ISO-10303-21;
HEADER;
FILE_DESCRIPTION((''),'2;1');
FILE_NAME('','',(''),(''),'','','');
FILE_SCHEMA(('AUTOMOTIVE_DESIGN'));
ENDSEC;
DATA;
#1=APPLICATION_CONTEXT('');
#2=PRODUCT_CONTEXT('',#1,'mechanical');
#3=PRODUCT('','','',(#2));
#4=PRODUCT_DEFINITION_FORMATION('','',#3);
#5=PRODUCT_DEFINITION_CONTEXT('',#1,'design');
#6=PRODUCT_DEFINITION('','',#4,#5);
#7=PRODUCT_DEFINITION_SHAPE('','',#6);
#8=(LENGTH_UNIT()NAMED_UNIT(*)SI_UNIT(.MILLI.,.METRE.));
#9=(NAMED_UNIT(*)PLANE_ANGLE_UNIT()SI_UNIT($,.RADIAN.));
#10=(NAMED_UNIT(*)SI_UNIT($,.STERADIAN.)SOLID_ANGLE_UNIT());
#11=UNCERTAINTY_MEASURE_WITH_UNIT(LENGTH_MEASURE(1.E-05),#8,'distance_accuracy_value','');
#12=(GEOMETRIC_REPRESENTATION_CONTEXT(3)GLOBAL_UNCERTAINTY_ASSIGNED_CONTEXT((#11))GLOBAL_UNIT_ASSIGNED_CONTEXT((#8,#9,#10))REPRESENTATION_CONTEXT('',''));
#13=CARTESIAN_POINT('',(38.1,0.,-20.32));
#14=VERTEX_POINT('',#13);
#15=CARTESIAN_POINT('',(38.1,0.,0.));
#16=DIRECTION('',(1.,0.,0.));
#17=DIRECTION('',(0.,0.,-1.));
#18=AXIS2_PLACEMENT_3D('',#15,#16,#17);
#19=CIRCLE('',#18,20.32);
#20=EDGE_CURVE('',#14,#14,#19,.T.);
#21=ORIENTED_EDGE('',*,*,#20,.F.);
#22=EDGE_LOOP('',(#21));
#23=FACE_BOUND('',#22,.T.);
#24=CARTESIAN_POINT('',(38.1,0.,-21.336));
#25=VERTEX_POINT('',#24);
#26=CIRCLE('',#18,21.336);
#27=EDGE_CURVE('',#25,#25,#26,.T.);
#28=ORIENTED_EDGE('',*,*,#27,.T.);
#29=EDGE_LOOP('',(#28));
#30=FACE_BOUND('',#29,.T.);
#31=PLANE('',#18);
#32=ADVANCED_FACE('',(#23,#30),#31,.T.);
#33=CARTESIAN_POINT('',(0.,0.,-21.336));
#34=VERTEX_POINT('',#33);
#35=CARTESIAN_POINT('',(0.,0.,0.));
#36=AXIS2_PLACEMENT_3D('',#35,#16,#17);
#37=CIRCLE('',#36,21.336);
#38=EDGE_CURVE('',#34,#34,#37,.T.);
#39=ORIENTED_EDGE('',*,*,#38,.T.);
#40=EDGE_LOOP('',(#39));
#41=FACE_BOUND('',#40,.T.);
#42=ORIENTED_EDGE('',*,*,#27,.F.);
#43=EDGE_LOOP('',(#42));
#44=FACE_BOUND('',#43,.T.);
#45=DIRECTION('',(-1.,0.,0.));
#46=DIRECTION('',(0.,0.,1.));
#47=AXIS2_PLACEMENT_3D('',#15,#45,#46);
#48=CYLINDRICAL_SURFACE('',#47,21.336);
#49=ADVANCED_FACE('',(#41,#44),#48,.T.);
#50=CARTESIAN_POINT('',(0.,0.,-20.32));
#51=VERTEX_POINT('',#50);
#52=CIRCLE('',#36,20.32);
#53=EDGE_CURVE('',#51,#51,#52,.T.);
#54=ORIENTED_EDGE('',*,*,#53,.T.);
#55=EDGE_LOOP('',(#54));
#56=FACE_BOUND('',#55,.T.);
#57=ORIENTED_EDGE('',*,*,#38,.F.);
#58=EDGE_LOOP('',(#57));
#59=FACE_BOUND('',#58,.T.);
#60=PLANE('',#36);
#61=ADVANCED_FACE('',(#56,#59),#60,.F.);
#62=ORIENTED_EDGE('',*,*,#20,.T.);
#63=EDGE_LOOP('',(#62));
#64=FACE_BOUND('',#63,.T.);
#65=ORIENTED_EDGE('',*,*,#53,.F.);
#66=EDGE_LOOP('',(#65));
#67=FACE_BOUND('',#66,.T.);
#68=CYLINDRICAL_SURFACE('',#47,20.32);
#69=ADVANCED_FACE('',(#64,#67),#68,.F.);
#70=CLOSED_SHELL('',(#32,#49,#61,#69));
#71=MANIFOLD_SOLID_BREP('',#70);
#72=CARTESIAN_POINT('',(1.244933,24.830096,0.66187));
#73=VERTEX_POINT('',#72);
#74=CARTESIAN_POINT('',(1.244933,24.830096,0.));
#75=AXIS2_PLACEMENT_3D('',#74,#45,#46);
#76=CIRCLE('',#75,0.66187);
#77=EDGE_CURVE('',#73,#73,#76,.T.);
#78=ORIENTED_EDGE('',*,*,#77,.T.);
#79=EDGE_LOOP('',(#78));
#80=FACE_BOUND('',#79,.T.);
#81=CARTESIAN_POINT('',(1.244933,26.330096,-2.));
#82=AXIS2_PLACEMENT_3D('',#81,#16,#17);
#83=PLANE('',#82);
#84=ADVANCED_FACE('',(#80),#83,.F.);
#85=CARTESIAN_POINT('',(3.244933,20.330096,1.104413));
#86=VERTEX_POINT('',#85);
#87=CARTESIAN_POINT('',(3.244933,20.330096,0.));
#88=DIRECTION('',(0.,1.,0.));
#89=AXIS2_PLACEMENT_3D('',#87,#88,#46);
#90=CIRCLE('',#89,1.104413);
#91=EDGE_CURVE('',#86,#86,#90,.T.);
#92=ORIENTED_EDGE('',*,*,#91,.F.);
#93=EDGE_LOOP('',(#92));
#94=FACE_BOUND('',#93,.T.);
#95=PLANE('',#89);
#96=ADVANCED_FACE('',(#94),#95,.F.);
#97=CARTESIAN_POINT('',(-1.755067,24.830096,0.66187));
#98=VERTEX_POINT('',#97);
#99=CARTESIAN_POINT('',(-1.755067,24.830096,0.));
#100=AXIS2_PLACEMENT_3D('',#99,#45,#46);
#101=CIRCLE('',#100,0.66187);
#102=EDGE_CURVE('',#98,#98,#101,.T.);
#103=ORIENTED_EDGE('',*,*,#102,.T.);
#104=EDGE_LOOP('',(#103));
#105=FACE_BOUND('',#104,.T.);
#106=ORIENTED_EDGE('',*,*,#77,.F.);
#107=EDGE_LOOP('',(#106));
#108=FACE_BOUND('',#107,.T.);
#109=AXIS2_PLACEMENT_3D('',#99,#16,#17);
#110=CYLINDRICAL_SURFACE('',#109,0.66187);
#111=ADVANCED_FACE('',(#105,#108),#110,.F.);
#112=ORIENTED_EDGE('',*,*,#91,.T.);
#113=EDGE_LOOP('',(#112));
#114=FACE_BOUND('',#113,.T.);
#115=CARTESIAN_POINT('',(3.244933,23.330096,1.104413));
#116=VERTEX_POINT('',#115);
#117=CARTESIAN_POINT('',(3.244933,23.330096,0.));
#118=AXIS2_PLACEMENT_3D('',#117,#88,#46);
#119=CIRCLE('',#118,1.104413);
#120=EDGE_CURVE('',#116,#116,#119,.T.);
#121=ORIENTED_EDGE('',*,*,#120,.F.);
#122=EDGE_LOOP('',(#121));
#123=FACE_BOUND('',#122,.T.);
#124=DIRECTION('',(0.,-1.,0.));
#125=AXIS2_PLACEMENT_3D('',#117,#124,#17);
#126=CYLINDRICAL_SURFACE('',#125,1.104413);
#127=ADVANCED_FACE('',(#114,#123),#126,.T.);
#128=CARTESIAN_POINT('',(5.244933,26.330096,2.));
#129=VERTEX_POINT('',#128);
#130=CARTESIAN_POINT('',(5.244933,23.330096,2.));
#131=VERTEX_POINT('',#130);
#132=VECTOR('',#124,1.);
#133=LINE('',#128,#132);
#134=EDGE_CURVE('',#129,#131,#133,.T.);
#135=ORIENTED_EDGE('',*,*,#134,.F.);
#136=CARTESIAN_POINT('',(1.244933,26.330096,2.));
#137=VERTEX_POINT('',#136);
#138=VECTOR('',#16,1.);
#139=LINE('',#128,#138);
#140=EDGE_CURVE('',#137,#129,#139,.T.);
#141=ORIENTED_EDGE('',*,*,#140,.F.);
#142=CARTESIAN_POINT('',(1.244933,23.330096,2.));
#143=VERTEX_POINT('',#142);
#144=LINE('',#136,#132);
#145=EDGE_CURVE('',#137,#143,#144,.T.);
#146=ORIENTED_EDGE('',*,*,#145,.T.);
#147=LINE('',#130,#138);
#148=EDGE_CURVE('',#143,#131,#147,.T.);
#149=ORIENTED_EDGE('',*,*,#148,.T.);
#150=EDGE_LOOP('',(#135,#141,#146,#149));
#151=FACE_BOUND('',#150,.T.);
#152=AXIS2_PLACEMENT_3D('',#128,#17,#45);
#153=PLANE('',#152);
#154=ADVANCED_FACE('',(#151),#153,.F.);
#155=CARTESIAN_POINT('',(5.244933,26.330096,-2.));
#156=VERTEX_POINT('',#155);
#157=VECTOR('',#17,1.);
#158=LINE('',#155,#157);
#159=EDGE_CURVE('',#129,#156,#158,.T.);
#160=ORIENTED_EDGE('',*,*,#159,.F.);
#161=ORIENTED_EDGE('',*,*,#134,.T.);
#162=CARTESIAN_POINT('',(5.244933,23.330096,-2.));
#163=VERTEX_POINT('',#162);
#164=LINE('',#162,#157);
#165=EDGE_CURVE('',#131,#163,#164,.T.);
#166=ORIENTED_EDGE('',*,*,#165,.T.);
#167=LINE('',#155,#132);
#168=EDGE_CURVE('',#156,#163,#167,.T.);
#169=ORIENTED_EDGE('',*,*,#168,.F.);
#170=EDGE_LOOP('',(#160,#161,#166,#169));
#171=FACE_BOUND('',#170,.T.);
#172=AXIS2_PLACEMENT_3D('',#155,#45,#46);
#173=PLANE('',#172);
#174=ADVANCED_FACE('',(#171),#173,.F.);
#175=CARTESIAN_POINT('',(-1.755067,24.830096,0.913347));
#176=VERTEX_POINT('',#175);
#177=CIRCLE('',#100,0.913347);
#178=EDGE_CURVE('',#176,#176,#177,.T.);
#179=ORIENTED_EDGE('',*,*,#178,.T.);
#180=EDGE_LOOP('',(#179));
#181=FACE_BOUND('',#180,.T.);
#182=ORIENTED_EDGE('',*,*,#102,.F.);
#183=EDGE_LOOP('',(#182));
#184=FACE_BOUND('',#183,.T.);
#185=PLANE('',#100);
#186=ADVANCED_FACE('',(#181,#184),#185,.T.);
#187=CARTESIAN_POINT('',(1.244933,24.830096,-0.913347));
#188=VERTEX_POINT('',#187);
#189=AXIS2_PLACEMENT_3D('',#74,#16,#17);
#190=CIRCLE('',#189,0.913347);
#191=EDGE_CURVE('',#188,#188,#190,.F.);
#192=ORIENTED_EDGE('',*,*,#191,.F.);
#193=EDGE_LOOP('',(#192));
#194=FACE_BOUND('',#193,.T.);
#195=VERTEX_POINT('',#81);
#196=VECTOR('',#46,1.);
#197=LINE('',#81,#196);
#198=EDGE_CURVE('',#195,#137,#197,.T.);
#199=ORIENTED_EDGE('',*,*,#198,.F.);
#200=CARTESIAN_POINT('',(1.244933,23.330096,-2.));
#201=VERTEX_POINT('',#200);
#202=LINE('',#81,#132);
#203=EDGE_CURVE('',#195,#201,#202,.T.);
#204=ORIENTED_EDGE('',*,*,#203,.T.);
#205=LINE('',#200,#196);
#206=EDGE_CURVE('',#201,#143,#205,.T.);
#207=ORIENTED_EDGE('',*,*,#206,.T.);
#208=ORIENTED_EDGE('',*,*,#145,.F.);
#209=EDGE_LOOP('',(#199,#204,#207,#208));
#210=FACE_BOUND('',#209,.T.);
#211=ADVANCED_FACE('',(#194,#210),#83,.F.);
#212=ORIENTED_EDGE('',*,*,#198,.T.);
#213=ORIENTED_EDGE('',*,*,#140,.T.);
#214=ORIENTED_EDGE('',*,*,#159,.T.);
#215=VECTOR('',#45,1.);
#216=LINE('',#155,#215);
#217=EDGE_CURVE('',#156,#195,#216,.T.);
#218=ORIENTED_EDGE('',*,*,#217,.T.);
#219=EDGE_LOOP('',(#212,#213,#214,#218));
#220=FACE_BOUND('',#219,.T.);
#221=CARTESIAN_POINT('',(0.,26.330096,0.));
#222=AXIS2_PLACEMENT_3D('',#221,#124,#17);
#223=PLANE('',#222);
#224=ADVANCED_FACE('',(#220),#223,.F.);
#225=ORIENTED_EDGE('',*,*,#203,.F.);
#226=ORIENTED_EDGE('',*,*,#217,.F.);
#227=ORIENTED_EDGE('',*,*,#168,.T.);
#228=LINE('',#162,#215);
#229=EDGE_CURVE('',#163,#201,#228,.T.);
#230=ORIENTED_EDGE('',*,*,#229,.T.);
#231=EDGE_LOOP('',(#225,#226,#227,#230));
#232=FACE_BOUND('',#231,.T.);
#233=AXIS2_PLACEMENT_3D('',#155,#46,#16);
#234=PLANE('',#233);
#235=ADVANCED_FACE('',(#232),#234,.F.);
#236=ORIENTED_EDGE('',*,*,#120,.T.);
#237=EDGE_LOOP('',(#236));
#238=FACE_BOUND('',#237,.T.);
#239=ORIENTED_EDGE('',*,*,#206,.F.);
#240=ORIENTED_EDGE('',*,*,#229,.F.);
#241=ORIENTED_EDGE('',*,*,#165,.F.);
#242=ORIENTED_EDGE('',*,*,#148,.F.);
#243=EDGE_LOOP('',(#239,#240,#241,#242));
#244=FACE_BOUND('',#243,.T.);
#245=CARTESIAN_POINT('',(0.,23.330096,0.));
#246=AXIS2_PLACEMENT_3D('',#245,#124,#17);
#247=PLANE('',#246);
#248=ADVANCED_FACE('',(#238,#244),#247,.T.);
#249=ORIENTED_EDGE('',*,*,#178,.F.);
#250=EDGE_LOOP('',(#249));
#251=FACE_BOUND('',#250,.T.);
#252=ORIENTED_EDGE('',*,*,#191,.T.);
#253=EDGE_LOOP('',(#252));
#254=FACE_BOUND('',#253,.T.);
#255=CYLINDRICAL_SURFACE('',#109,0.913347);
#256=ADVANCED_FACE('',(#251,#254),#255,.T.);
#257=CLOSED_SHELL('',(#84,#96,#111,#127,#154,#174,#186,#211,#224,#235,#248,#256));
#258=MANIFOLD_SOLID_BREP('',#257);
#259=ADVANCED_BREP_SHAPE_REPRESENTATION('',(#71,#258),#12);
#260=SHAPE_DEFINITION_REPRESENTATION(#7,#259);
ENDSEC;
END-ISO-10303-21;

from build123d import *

# Parameters (mm, degrees)
SKETCH1_R           = 21.336
SKETCH1_R_2         = 20.32
BOSS_EXTRUDE1_DEPTH = 38.1
SKETCH2_R           = 1.104412627
BOSS_EXTRUDE2_DEPTH = 3
SKETCH3_W           = 4
SKETCH3_H           = 4
BOSS_EXTRUDE3_DEPTH = 3
SKETCH4_R           = 0.913347132
SKETCH4_R_2         = 0.661870058
BOSS_EXTRUDE4_DEPTH = 3


with BuildPart() as part:
    # Sketch1 → Boss-Extrude1 (new body)
    with BuildSketch(Plane(origin=(0, 0, 0), x_dir=(0, 0, -1), z_dir=(1, 0, 0))):
        Circle(SKETCH1_R)
        Circle(SKETCH1_R_2, mode=Mode.SUBTRACT)
    extrude(amount=BOSS_EXTRUDE1_DEPTH)


with BuildPart() as body_2:
    # Sketch2 → Boss-Extrude2 (new body)
    with BuildSketch(Plane(origin=(0, 20.330096143, 0), x_dir=(1, 0, 0), z_dir=(0, 1, 0))):
        with Locations(Location((3.244933056, 0, 0), (0, 0, 270))):
            Circle(SKETCH2_R)
    extrude(amount=BOSS_EXTRUDE2_DEPTH)

    # Sketch3 → Boss-Extrude3 (add)
    with BuildSketch(Plane(origin=(0, 23.330096143, 0), x_dir=(1, 0, 0), z_dir=(0, 1, 0))):
        with Locations((3.244933056, 0)):
            Rectangle(SKETCH3_W, SKETCH3_H)
    extrude(amount=BOSS_EXTRUDE3_DEPTH)

    # Sketch4 → Boss-Extrude4 (add)
    with BuildSketch(Plane.ZY.offset(-1.244933056)):
        with Locations(Location((0, 24.83009614, 0), (0, 0, 180))):
            Circle(SKETCH4_R)
        with Locations((0, 24.83009614)):
            Circle(SKETCH4_R_2, mode=Mode.SUBTRACT)
    extrude(amount=BOSS_EXTRUDE4_DEPTH)


solid = Compound([part.part, body_2.part])
